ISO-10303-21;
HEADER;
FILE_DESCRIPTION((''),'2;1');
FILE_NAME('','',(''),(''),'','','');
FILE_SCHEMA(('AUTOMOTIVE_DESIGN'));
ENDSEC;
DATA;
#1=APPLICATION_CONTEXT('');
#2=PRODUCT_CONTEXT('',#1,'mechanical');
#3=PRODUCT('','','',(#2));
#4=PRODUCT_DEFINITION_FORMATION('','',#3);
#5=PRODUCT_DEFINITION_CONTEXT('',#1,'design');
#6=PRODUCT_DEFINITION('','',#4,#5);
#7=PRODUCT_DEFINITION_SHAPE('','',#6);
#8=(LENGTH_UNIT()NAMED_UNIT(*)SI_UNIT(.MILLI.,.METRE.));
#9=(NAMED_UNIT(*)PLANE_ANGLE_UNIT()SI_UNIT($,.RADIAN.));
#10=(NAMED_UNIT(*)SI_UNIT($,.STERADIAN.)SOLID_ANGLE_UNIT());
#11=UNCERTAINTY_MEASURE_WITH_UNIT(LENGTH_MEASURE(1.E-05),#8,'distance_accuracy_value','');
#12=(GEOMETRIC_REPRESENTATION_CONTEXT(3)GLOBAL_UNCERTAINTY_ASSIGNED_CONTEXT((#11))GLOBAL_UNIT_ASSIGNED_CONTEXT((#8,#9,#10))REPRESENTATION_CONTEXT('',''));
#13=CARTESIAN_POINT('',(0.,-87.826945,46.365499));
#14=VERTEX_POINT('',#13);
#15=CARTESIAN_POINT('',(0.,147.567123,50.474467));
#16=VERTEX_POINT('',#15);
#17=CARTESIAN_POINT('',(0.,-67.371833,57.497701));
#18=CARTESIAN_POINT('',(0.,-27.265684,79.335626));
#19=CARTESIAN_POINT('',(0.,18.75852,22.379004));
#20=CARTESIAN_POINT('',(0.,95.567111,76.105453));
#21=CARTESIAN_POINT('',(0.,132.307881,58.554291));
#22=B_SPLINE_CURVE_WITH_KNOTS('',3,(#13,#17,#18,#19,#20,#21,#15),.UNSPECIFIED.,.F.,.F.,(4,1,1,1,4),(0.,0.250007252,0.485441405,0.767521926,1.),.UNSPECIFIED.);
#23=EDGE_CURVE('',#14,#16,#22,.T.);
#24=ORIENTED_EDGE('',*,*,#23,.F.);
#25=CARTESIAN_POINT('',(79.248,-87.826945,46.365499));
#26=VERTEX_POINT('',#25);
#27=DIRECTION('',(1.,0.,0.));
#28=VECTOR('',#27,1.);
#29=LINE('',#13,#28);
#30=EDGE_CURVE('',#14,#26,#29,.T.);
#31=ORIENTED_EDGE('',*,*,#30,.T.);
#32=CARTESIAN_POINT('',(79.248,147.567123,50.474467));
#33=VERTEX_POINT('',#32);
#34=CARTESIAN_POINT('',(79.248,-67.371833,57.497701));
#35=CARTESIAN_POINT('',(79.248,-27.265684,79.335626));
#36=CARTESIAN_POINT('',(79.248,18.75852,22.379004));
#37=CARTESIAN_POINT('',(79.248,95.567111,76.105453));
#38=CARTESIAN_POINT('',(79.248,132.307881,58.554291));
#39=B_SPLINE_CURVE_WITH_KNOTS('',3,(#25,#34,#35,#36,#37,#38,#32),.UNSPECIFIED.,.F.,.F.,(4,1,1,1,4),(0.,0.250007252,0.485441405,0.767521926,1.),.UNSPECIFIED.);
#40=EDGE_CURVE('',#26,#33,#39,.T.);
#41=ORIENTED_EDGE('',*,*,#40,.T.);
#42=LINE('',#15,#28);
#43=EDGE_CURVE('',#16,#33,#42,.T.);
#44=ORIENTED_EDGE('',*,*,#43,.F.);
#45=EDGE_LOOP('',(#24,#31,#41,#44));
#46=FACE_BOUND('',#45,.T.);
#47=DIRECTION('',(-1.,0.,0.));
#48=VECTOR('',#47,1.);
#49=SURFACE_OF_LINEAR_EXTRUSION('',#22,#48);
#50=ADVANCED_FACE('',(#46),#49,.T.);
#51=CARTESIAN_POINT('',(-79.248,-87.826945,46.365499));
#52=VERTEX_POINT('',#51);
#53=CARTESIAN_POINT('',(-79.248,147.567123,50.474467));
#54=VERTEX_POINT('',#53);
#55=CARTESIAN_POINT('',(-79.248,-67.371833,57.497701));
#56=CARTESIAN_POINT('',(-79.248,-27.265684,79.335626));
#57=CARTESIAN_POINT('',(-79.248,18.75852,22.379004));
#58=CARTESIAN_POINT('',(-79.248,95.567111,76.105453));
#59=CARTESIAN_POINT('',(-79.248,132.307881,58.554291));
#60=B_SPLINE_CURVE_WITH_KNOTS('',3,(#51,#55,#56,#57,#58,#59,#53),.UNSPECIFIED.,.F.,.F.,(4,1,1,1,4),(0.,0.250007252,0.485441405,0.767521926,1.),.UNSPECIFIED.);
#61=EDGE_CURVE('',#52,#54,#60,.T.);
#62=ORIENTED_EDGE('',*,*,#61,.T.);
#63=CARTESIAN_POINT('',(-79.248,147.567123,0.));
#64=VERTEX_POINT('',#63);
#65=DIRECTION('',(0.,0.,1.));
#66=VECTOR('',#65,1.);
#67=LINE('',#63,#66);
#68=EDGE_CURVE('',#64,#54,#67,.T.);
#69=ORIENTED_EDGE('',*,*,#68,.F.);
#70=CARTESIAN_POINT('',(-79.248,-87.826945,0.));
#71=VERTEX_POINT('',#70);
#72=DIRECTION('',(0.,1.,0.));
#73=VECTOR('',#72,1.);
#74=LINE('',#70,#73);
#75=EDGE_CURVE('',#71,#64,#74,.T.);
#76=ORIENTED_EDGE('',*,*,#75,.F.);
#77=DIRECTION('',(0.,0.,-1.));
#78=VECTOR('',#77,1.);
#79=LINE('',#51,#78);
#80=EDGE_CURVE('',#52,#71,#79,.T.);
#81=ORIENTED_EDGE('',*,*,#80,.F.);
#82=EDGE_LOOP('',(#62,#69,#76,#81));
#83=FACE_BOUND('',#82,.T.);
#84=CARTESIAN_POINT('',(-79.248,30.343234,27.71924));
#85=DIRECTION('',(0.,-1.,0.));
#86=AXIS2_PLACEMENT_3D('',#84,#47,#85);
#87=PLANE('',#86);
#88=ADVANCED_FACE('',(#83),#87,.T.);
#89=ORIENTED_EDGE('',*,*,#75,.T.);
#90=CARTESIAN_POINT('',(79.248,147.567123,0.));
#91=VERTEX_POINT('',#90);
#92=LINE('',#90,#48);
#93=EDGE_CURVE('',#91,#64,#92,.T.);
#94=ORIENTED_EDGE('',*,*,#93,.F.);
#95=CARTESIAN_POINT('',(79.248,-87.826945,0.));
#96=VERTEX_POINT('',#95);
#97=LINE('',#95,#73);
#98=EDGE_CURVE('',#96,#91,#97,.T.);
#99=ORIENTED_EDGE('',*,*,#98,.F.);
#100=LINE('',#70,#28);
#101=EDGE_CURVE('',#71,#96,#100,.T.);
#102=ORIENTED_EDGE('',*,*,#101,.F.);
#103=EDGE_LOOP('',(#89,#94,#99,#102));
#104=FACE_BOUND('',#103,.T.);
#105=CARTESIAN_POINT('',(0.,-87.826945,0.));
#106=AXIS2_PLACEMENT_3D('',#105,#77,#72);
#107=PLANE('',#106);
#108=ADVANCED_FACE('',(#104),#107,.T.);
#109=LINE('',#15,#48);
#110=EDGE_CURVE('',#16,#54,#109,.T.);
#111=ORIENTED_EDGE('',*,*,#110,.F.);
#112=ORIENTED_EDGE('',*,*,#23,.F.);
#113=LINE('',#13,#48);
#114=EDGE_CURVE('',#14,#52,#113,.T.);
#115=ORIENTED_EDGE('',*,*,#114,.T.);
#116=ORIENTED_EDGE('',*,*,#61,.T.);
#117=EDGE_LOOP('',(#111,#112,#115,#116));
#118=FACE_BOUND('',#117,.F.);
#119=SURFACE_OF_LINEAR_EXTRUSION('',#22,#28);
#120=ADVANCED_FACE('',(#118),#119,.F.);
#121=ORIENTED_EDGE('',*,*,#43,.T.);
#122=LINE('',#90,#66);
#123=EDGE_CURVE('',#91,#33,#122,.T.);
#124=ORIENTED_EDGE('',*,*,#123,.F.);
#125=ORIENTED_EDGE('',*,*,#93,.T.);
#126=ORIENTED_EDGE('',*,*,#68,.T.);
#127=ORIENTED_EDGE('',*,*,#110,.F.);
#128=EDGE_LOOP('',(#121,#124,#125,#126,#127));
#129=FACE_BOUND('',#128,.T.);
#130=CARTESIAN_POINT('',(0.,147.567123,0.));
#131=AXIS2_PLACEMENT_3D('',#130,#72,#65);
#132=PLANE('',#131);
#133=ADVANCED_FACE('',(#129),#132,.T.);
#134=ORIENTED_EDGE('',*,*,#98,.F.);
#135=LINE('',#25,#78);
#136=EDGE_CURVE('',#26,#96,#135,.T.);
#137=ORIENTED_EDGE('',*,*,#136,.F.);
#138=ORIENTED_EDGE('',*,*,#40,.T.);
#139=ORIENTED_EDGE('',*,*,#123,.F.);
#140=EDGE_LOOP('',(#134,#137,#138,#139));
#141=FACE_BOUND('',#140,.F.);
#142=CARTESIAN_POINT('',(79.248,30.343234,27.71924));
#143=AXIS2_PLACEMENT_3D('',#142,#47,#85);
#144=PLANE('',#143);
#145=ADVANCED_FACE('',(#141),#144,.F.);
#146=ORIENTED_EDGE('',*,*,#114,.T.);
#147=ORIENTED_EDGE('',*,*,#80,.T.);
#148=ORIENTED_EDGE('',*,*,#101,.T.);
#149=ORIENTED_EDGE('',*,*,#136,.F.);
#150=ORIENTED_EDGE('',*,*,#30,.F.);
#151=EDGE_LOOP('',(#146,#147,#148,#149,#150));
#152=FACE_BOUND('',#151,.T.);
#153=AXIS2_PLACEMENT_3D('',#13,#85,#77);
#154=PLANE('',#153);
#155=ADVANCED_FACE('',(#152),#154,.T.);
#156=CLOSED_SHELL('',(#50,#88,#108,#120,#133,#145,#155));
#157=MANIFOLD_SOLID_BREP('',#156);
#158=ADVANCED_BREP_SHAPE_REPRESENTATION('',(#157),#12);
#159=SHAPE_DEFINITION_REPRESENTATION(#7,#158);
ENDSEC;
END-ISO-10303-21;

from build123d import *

# Parameters (mm, degrees)
F1_DEPTH      = 79.248
F1_DEPTH_BACK = 79.248


with BuildPart() as f1:
    # F0 (on Right) → F1 (new body, two sides)
    with BuildSketch(Plane.YZ) as f1_sk:
        with BuildLine():
            add(Edge.make_bspline(
                [(-87.8269448876, 46.3654994965), (-67.3718330678, 57.497701411), (-27.2656839592, 79.3356256267), (18.7585197488, 22.3790043158), (95.5671107391, 76.1054529444), (132.3078811353, 58.5542912131), (147.5671231747, 50.474466549)],
                knots=[0, 0, 0, 0, 0.2500072518, 0.4854414047, 0.7675219262, 1, 1, 1, 1], degree=3))
            Line((-87.8269448876, 46.3654994965), (-87.8269448876, 0))
            Line((-87.8269448876, 0), (147.5671231747, 0))
            Line((147.5671231747, 0), (147.5671231747, 50.474466549))
        make_face()
    extrude(amount=F1_DEPTH)
    extrude(f1_sk.sketch, amount=-F1_DEPTH_BACK)


solid = f1.part
